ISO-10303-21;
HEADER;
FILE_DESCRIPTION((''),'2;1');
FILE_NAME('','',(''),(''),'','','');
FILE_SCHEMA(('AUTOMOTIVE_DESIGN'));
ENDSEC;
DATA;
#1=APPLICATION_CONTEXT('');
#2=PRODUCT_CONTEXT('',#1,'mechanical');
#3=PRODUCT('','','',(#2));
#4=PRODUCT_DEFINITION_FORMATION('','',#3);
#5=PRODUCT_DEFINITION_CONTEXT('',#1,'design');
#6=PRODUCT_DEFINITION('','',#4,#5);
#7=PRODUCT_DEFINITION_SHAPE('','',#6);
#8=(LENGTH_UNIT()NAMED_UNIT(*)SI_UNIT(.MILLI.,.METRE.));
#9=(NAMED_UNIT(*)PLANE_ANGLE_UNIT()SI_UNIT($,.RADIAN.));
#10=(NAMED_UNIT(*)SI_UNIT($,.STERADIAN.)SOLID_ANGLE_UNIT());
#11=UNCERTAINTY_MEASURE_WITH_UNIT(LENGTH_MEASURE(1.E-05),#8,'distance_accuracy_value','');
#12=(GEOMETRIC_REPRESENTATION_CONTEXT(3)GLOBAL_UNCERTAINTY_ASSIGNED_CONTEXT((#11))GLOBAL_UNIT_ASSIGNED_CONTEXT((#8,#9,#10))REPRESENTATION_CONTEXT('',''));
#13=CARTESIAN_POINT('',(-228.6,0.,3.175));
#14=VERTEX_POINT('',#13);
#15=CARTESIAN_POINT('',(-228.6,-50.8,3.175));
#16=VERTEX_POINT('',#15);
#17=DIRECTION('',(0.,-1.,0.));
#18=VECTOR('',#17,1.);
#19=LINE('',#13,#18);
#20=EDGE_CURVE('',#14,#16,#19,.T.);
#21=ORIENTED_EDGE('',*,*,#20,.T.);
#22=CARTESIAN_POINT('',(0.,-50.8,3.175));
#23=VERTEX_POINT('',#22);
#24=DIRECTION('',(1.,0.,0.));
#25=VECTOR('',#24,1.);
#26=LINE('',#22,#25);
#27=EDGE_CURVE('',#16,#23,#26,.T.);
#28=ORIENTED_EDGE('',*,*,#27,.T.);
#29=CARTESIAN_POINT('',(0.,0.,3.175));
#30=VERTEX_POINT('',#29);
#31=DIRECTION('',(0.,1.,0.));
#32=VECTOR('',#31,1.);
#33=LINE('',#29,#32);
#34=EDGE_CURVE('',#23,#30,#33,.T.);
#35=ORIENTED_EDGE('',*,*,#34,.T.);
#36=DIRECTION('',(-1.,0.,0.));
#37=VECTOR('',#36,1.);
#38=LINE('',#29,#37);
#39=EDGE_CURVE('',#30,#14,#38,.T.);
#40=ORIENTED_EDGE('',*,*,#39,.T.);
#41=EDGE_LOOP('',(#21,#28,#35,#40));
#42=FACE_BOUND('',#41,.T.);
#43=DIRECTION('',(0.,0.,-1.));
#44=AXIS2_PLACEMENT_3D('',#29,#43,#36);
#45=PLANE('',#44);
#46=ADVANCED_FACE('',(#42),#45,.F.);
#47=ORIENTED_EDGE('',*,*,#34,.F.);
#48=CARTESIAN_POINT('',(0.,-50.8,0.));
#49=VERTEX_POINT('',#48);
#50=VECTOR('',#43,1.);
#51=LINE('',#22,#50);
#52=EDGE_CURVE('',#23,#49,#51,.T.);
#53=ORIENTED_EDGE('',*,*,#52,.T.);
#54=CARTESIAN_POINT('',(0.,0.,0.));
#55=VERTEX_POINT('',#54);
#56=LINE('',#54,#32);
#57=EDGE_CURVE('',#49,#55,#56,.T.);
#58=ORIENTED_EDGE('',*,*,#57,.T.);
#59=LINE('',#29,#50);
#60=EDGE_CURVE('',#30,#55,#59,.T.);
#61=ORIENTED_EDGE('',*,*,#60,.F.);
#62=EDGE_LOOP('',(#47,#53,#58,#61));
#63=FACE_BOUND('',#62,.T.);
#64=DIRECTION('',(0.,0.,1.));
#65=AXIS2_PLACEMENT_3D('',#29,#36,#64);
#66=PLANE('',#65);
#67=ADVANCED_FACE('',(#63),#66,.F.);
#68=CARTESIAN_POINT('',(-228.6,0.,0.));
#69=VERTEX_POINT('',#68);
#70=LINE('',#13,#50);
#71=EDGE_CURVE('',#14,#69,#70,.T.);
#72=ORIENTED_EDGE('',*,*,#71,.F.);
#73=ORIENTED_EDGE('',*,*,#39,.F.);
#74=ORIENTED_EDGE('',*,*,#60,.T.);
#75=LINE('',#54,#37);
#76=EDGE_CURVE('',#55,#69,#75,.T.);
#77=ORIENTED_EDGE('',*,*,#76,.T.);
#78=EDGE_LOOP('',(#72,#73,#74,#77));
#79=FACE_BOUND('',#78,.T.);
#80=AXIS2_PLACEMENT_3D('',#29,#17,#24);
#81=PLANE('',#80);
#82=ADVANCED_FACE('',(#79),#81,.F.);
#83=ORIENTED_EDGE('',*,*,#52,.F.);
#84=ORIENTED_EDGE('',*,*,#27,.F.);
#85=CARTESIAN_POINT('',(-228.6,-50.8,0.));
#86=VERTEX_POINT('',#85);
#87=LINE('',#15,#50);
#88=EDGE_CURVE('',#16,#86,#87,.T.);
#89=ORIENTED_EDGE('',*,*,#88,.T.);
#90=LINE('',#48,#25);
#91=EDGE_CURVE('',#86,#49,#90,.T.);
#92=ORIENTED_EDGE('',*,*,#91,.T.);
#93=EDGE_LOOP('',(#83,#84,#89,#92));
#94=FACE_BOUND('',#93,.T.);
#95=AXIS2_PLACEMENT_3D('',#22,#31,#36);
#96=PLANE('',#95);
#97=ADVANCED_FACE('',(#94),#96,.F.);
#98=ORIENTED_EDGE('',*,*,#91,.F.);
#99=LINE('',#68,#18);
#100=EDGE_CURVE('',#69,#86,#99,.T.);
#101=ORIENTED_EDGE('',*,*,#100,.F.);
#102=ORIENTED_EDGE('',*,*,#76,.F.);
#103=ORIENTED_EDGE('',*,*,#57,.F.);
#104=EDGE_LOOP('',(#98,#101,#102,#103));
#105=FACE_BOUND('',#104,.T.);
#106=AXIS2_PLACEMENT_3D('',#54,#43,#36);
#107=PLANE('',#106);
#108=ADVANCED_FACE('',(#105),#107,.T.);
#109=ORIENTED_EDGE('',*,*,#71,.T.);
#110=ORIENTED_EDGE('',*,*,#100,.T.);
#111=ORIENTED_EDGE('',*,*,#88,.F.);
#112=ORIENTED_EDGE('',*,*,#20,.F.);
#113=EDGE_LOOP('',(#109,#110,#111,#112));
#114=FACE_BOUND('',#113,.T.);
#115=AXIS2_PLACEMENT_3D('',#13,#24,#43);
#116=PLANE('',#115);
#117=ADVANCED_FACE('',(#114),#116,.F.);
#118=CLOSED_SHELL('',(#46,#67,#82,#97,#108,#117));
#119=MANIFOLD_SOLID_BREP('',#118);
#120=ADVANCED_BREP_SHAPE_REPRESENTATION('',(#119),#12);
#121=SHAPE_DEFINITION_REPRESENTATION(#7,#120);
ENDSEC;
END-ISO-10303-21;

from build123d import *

# Parameters (mm, degrees)
SKETCH1_W           = 228.6
SKETCH1_H           = 50.8
BOSS_EXTRUDE1_DEPTH = 3.175


with BuildPart() as part:
    # Sketch1 → Boss-Extrude1 (new body)
    with BuildSketch(Plane.XY):
        with Locations((-114.3, -25.4)):
            Rectangle(SKETCH1_W, SKETCH1_H)
    extrude(amount=BOSS_EXTRUDE1_DEPTH)


solid = part.part
